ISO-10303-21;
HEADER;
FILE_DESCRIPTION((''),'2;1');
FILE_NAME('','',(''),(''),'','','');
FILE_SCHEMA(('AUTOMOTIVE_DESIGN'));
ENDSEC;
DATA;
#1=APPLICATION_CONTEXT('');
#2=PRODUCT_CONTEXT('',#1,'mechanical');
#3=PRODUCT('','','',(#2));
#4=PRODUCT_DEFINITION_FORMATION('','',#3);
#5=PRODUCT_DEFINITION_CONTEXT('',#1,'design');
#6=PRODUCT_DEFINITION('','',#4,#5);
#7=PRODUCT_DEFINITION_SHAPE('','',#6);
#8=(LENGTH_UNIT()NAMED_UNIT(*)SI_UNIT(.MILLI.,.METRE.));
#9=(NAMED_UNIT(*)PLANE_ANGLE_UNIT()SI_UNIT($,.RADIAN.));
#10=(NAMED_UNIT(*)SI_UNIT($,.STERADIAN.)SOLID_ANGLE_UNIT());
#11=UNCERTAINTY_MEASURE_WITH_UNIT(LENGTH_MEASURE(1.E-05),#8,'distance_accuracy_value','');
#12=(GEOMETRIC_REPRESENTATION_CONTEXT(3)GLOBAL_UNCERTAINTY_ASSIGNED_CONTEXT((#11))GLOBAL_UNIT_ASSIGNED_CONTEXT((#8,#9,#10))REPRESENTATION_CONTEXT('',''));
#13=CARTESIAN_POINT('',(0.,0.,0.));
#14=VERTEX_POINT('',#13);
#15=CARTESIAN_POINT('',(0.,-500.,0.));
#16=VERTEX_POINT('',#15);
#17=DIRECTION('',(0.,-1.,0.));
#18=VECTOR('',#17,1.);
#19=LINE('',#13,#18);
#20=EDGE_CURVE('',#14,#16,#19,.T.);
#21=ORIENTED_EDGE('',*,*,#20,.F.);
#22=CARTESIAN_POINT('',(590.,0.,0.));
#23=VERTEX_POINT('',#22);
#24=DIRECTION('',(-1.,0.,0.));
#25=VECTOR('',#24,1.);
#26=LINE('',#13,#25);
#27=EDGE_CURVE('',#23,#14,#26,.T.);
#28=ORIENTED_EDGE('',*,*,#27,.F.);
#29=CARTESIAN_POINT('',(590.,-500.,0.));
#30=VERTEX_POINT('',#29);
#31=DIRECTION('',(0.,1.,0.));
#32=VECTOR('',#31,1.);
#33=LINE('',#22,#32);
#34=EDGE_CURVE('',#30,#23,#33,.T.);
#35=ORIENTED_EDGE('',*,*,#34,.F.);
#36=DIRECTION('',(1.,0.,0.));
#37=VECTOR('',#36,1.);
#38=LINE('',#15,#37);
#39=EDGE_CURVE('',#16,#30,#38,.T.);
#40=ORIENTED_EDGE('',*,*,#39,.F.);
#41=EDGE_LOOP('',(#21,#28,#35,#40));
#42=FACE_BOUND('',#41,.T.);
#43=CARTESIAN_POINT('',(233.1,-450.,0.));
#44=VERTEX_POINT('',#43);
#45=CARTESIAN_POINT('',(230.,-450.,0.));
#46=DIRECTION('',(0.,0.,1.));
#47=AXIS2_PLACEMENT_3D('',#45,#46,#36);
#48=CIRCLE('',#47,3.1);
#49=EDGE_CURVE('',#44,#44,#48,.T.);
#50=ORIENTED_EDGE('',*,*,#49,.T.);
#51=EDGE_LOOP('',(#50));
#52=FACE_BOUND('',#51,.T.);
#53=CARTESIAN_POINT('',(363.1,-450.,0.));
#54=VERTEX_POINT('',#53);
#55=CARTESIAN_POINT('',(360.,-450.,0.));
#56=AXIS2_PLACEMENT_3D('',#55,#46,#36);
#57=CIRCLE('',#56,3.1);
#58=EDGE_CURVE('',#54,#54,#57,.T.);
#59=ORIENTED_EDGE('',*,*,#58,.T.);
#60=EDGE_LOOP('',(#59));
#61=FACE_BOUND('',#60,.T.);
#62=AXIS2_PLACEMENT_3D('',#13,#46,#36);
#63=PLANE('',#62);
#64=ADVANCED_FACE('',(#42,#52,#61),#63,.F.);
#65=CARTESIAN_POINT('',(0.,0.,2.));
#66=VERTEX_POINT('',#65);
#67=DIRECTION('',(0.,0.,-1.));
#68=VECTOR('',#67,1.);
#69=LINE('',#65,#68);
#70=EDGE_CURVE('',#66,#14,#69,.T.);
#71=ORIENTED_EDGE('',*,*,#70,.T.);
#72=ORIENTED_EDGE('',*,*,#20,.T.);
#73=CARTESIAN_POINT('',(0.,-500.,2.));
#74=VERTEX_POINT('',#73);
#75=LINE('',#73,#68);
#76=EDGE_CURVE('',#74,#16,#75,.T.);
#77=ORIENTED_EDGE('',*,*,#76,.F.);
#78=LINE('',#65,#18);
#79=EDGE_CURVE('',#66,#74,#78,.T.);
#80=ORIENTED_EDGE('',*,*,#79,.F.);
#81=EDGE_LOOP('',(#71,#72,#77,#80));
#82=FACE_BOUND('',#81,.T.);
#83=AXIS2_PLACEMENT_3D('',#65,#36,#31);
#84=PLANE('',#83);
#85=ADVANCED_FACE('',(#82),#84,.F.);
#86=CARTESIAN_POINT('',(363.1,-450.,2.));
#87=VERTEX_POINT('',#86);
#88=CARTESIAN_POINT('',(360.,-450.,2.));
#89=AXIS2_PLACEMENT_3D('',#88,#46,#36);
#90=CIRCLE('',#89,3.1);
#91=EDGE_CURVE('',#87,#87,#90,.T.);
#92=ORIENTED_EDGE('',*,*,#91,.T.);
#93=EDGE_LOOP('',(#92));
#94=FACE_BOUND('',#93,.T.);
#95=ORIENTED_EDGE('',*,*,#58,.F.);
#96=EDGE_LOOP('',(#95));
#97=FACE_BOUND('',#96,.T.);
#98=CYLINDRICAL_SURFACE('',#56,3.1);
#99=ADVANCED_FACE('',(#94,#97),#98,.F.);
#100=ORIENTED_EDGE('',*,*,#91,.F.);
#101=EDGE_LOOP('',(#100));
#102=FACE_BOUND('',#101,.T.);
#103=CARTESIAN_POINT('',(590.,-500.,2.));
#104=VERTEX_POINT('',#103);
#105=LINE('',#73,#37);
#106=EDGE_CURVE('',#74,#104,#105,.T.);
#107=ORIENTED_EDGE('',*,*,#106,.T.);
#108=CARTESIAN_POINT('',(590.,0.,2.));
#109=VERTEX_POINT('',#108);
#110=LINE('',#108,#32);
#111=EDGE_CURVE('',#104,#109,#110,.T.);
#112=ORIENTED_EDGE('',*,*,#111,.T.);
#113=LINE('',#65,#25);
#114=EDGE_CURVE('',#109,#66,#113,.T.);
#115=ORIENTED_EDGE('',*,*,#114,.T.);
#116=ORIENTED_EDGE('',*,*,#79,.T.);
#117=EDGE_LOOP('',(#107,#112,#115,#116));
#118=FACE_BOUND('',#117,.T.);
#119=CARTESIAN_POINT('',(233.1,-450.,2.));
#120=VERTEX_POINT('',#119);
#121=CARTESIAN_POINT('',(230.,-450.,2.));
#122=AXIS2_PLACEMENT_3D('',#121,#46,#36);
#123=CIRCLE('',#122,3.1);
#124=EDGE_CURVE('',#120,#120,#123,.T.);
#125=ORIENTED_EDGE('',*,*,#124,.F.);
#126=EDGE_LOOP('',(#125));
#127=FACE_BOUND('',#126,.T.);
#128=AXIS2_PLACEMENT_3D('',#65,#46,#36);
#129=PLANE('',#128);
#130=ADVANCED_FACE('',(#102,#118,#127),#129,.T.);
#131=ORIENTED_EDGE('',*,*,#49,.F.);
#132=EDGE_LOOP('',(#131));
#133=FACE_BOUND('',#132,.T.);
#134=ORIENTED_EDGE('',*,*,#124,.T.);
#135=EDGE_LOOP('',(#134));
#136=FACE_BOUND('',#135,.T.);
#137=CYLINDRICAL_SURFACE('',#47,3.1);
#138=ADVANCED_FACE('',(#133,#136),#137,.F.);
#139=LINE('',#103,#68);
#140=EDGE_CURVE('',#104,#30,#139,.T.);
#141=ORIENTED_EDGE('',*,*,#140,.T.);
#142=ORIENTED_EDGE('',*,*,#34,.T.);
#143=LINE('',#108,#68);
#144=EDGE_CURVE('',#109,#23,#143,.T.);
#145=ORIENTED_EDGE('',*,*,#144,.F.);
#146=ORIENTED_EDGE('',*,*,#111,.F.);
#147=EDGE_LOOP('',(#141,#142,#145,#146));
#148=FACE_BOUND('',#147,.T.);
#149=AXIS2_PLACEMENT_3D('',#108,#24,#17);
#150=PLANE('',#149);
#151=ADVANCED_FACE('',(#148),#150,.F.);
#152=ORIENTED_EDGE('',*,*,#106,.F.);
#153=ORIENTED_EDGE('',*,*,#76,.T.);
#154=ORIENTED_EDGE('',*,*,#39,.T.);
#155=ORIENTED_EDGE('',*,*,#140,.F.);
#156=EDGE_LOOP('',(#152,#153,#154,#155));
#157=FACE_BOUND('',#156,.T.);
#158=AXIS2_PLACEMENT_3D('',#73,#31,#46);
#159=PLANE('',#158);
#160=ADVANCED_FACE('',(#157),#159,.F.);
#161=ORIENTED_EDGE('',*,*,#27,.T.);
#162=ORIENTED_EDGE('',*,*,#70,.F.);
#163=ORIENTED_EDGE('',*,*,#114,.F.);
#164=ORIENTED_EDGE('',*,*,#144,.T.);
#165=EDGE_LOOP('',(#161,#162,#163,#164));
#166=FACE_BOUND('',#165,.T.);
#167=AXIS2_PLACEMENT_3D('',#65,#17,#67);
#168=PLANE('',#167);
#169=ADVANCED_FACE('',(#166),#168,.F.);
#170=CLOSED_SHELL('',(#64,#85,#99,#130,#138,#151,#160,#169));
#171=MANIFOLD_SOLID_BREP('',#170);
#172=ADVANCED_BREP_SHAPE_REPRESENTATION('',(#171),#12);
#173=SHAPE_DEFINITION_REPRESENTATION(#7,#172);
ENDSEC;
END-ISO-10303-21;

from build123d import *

# Parameters (mm, degrees)
SKETCH1_W           = 590
SKETCH1_H           = 500
BOSS_EXTRUDE1_DEPTH = 2
SKETCH2_R           = 3.1
CUT_EXTRUDE1_DEPTH  = 774.371838122


with BuildPart() as part:
    # Sketch1 → Boss-Extrude1 (new body)
    with BuildSketch(Plane.XY):
        with Locations((295, -250)):
            Rectangle(SKETCH1_W, SKETCH1_H)
    extrude(amount=BOSS_EXTRUDE1_DEPTH)

    # Sketch2 → Cut-Extrude1 (cut, through all)
    with BuildSketch(Plane.XY.offset(2)):
        with Locations((230, -450)):
            Circle(SKETCH2_R)
        with Locations((360, -450)):
            Circle(SKETCH2_R)
    extrude(amount=-CUT_EXTRUDE1_DEPTH, mode=Mode.SUBTRACT)


solid = part.part
